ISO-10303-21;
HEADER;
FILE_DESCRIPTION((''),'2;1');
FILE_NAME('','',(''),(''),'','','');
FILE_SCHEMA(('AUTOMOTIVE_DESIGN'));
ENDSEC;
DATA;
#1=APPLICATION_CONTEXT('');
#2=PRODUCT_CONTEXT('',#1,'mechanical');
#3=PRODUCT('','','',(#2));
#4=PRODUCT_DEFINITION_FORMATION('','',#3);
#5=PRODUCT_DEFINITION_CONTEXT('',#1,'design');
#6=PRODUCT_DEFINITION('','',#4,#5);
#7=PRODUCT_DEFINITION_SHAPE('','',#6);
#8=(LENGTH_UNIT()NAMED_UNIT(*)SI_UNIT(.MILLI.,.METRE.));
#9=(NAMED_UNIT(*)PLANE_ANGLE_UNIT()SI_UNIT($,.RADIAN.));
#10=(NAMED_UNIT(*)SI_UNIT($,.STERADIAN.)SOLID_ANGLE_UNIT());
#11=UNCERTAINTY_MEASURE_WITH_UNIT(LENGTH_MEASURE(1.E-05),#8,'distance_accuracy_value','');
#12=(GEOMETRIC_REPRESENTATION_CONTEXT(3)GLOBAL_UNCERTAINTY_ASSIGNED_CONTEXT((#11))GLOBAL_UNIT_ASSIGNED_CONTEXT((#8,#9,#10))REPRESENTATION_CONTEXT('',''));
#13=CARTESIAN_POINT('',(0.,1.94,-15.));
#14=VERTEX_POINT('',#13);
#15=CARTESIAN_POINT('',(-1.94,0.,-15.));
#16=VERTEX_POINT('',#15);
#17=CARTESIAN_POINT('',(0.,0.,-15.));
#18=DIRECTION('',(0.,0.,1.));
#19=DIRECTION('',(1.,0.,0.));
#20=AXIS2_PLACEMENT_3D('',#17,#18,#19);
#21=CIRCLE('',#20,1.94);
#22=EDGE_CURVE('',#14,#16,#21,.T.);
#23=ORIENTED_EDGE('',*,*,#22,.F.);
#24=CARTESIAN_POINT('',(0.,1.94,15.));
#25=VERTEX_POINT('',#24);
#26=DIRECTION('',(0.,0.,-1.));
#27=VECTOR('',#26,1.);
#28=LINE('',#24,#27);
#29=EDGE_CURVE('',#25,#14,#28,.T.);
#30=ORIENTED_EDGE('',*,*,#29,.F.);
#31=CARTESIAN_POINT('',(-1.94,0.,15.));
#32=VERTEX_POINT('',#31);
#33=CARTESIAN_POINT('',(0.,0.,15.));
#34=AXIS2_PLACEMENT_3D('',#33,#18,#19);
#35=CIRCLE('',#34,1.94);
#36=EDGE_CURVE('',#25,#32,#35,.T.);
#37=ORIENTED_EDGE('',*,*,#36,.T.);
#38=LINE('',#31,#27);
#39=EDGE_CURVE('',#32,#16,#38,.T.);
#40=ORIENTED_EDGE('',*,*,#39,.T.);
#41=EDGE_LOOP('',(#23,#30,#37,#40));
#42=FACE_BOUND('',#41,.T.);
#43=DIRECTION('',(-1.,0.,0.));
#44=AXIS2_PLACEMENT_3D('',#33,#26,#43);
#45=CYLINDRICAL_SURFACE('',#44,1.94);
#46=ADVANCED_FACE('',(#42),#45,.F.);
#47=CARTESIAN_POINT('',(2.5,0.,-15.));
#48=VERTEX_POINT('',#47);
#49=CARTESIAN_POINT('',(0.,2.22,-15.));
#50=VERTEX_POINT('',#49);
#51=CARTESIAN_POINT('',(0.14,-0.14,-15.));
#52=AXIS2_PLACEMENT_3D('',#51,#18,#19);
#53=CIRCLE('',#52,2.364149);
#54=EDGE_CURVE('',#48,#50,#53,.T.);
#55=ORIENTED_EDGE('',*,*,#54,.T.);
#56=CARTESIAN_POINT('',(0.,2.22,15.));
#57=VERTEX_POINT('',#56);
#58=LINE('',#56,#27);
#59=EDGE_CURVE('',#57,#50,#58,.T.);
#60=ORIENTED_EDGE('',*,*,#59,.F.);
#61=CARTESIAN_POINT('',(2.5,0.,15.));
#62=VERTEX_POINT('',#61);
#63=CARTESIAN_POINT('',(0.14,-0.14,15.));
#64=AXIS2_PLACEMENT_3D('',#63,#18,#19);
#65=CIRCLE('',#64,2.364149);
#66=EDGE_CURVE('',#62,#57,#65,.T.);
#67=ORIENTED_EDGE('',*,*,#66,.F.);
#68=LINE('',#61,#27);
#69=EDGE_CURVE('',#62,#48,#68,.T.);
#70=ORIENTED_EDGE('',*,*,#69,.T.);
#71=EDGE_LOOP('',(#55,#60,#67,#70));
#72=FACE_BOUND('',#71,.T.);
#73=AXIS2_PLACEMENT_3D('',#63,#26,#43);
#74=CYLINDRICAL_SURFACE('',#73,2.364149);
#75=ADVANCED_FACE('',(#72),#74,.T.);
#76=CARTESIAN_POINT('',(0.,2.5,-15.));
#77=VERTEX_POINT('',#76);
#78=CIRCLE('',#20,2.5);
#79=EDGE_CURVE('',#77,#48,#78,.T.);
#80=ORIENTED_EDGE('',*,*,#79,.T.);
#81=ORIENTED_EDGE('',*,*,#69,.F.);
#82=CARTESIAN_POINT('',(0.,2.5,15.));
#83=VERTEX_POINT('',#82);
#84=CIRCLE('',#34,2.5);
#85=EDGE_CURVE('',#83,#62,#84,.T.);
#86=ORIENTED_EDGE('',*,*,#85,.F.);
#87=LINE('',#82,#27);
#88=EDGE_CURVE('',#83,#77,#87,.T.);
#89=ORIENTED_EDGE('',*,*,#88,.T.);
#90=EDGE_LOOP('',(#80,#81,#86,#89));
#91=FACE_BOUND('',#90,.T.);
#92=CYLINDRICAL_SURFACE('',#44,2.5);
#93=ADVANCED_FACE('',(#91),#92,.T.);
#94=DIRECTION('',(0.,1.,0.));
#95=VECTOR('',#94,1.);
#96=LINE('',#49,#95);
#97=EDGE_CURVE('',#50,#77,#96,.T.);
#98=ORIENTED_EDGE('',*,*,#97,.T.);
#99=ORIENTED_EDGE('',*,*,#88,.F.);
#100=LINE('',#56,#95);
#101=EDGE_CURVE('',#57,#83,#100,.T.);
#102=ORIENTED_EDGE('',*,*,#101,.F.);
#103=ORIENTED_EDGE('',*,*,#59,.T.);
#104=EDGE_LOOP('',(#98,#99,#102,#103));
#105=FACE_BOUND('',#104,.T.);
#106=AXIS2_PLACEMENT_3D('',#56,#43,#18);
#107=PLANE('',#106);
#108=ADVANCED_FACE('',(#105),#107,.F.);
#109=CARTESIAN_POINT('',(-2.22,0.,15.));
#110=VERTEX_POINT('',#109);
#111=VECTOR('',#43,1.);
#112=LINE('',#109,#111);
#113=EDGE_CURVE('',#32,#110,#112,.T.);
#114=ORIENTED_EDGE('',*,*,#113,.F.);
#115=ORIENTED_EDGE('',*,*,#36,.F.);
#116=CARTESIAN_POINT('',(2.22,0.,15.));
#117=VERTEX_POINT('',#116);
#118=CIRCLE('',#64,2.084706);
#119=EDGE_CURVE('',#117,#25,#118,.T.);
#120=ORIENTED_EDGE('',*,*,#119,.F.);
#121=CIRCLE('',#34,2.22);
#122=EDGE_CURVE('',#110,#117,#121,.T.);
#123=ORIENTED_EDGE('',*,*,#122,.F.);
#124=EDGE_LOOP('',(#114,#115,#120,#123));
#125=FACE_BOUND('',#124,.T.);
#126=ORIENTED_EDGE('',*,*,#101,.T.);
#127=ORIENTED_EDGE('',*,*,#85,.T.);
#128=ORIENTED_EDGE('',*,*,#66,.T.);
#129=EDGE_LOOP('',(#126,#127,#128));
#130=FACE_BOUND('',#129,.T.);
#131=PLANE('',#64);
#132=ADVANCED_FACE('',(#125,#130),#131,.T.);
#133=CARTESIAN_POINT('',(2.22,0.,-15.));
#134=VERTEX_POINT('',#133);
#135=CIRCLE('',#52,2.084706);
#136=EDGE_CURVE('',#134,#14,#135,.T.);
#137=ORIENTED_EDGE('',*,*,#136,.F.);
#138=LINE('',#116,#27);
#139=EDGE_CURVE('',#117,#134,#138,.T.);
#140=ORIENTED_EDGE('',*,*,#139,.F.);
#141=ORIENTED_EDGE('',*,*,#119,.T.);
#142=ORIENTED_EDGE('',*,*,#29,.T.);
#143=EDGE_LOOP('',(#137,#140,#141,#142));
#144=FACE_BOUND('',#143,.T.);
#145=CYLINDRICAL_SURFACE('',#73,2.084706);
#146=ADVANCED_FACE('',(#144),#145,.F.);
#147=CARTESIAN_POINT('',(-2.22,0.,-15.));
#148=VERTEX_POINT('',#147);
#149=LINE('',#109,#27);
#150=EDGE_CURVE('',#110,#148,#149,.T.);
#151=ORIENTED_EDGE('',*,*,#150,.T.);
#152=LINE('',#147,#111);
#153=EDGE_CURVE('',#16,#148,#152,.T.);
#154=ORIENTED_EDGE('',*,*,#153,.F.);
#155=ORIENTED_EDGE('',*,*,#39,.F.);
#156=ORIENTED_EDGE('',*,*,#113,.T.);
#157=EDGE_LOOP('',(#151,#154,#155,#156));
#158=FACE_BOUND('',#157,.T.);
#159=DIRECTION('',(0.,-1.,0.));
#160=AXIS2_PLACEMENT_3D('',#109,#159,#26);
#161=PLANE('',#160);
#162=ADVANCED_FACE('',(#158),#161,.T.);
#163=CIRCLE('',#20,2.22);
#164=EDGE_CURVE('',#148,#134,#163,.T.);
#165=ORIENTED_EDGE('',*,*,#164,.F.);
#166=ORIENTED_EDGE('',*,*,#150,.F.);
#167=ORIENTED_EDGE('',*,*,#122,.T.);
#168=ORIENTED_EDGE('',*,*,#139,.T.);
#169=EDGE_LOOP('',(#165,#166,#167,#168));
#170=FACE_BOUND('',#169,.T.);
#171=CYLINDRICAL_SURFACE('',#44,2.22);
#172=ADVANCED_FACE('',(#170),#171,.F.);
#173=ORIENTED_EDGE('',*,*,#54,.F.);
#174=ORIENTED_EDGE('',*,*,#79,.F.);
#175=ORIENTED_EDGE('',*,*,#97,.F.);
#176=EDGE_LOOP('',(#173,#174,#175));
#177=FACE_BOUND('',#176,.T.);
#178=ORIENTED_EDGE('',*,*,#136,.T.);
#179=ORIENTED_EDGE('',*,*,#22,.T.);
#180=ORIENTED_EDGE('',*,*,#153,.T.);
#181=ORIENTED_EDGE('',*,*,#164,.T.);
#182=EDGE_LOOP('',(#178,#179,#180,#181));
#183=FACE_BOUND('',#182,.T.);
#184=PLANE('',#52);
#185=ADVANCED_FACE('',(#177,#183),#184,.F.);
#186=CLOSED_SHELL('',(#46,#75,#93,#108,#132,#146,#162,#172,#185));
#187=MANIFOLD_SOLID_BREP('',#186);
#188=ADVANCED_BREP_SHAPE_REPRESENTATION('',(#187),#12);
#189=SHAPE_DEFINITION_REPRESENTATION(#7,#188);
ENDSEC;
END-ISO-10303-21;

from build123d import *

# Parameters (mm, degrees)
BASE_EXTRUDE_DEPTH = 15


with BuildPart() as part:
    # Sketch1 → Base-Extrude (new, symmetric)
    with BuildSketch(Plane.XY):
        with BuildLine():
            Line((0, 2.22), (0, 2.5))
            ThreePointArc((0, 2.5), (-1.767766953, -1.767766953), (2.5, 0))
            ThreePointArc((2.5, 0), (1.709777054, 1.627766953), (0, 2.22))
        make_face()
        with BuildLine():
            Line((-2.22, 0), (-1.94, 0))
            ThreePointArc((-1.94, 0), (-1.371787156, 1.371787156), (0, 1.94))
            ThreePointArc((0, 1.94), (1.511787156, 1.429777054), (2.22, 0))
            ThreePointArc((2.22, 0), (0, -2.22), (-2.22, 0))
        make_face(mode=Mode.SUBTRACT)
    extrude(amount=BASE_EXTRUDE_DEPTH, both=True)


solid = part.part
